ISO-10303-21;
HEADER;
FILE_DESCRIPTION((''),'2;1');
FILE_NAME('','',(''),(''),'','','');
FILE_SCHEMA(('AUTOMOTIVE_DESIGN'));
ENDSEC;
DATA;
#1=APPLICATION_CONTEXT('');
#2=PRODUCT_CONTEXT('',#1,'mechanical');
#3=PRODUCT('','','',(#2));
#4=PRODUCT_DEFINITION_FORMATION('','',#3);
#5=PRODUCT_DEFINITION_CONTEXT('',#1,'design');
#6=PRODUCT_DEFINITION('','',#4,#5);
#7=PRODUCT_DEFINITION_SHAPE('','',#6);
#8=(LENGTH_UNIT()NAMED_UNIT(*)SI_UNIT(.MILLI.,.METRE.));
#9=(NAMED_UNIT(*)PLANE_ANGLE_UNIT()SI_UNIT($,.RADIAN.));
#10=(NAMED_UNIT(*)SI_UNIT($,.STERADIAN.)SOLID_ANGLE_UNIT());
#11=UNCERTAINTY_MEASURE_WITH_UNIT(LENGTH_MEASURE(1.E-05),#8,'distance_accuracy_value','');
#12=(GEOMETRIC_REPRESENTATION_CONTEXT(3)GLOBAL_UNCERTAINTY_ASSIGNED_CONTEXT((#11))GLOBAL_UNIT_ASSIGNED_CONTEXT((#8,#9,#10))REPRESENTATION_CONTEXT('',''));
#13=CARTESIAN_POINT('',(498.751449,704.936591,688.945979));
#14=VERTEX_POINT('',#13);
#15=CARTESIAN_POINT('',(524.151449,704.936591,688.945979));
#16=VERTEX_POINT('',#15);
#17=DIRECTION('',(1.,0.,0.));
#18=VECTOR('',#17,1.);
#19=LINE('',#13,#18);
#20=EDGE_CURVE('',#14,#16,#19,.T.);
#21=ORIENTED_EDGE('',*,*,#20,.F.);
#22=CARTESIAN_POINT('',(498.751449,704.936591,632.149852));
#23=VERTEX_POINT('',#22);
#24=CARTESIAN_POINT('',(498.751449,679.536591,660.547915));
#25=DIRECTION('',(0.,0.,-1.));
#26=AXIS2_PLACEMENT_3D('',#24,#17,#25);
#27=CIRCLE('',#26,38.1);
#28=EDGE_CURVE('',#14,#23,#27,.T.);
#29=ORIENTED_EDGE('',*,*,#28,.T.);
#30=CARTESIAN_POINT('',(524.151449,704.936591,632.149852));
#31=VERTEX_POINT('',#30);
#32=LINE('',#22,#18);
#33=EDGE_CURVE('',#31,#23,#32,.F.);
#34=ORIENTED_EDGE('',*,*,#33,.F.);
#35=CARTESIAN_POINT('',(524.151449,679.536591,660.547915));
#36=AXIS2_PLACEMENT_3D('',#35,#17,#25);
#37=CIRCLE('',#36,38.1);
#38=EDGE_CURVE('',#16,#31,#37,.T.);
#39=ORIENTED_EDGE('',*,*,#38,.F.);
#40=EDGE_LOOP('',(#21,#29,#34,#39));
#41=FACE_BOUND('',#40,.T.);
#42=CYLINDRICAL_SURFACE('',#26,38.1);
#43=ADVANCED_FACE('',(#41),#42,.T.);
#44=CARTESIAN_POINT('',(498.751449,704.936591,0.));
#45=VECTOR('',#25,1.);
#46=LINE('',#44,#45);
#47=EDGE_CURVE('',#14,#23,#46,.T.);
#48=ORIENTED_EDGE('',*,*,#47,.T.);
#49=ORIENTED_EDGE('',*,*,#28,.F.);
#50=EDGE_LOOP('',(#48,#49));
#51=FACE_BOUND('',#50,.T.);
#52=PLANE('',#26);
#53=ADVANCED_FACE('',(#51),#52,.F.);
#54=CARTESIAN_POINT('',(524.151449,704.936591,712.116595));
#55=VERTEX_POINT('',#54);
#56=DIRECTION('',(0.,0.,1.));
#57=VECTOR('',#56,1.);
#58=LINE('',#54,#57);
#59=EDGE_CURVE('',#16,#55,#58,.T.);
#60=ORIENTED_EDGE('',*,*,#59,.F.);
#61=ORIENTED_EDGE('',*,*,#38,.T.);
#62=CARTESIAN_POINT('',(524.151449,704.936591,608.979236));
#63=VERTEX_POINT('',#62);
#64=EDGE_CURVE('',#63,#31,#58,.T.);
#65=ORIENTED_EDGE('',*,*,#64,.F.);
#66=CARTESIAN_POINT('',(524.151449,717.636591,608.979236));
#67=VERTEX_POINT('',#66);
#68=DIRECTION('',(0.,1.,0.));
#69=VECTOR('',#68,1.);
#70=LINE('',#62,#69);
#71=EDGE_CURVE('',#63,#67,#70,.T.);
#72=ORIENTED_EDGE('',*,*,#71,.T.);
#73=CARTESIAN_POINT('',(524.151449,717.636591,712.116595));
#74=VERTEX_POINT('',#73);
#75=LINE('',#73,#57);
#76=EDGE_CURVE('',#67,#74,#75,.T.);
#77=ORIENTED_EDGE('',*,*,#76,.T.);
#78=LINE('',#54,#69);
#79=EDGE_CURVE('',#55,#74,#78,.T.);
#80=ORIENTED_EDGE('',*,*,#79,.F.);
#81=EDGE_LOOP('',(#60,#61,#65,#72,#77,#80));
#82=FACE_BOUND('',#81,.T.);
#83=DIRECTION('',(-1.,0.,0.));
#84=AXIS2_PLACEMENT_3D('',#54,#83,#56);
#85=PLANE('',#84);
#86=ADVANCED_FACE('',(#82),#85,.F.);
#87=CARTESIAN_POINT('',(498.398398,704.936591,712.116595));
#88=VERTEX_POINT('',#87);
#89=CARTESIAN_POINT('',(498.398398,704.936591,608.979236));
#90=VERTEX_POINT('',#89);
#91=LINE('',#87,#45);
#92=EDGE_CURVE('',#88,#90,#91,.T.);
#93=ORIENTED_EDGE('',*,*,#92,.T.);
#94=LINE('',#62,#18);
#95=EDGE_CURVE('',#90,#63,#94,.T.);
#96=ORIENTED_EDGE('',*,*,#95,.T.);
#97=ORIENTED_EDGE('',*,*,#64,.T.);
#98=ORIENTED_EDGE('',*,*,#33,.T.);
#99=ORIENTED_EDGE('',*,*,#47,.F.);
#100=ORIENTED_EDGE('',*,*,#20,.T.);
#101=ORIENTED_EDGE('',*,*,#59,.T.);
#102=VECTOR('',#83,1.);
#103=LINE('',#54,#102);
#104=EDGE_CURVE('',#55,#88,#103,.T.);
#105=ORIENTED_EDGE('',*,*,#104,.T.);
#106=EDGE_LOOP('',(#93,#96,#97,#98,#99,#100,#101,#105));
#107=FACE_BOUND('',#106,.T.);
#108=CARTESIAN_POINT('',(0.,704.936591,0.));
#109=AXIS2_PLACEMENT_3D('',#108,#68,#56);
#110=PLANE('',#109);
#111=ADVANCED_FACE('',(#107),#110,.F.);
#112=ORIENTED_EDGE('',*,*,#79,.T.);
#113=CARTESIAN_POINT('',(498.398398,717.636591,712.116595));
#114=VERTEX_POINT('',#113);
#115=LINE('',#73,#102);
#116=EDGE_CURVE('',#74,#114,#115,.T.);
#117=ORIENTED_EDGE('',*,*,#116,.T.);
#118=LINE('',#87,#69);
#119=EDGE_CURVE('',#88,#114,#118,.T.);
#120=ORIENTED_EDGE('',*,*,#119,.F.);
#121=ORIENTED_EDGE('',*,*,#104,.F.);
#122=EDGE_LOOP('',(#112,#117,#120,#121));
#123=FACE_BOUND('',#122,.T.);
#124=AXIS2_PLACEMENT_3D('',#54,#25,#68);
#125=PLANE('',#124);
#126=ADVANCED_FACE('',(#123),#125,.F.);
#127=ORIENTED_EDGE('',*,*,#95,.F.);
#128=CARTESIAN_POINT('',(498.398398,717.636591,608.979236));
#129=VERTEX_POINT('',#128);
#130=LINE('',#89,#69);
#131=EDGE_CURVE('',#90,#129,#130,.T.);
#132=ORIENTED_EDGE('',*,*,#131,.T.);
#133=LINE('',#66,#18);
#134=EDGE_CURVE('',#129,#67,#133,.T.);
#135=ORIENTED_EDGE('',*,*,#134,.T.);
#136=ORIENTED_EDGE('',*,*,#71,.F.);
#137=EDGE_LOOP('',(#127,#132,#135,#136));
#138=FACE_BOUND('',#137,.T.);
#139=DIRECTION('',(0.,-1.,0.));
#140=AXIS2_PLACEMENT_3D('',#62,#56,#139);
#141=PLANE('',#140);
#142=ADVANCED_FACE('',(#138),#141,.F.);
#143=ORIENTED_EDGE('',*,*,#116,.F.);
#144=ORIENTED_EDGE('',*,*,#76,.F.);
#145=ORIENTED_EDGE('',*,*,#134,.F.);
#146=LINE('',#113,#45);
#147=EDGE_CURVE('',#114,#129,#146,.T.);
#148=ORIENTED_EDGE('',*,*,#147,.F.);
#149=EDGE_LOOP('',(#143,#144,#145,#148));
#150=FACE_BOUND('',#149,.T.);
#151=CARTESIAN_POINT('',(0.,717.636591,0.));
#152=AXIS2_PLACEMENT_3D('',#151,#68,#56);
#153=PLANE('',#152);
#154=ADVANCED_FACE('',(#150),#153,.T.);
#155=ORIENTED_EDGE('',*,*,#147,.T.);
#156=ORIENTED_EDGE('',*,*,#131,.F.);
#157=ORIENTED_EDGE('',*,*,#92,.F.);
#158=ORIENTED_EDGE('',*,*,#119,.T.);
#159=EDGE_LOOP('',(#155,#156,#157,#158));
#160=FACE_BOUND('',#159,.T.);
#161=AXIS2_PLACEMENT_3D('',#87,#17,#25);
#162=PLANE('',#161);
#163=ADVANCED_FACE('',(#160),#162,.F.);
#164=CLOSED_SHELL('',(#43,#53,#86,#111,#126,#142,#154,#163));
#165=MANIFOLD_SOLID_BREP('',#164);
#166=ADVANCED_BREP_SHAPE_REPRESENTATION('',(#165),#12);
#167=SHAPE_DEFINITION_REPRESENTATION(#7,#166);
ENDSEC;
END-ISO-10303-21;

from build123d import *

# Parameters (mm, degrees)
SKETCH3_W           = 25.753050404
SKETCH3_H           = 103.137359271
BOSS_EXTRUDE1_DEPTH = 12.7
SKETCH4_R           = 38.1
BOSS_EXTRUDE2_DEPTH = 25.4


with BuildPart() as part:
    # Sketch3 → Boss-Extrude1 (new body)
    with BuildSketch(Plane(origin=(0, 717.636591226, 0), x_dir=(-1, 0, 0), z_dir=(0, -1, 0))):
        with Locations((-511.2749233, -660.547915429)):
            Rectangle(SKETCH3_W, SKETCH3_H)
    extrude(amount=BOSS_EXTRUDE1_DEPTH)

    # Sketch4 → Boss-Extrude2 (add)
    with BuildSketch(Plane(origin=(524.151448502, 0, 0), x_dir=(0, 0, -1), z_dir=(1, 0, 0))):
        with Locations((-660.547915428, 679.536591226)):
            Circle(SKETCH4_R)
    extrude(amount=-BOSS_EXTRUDE2_DEPTH)


solid = part.part
